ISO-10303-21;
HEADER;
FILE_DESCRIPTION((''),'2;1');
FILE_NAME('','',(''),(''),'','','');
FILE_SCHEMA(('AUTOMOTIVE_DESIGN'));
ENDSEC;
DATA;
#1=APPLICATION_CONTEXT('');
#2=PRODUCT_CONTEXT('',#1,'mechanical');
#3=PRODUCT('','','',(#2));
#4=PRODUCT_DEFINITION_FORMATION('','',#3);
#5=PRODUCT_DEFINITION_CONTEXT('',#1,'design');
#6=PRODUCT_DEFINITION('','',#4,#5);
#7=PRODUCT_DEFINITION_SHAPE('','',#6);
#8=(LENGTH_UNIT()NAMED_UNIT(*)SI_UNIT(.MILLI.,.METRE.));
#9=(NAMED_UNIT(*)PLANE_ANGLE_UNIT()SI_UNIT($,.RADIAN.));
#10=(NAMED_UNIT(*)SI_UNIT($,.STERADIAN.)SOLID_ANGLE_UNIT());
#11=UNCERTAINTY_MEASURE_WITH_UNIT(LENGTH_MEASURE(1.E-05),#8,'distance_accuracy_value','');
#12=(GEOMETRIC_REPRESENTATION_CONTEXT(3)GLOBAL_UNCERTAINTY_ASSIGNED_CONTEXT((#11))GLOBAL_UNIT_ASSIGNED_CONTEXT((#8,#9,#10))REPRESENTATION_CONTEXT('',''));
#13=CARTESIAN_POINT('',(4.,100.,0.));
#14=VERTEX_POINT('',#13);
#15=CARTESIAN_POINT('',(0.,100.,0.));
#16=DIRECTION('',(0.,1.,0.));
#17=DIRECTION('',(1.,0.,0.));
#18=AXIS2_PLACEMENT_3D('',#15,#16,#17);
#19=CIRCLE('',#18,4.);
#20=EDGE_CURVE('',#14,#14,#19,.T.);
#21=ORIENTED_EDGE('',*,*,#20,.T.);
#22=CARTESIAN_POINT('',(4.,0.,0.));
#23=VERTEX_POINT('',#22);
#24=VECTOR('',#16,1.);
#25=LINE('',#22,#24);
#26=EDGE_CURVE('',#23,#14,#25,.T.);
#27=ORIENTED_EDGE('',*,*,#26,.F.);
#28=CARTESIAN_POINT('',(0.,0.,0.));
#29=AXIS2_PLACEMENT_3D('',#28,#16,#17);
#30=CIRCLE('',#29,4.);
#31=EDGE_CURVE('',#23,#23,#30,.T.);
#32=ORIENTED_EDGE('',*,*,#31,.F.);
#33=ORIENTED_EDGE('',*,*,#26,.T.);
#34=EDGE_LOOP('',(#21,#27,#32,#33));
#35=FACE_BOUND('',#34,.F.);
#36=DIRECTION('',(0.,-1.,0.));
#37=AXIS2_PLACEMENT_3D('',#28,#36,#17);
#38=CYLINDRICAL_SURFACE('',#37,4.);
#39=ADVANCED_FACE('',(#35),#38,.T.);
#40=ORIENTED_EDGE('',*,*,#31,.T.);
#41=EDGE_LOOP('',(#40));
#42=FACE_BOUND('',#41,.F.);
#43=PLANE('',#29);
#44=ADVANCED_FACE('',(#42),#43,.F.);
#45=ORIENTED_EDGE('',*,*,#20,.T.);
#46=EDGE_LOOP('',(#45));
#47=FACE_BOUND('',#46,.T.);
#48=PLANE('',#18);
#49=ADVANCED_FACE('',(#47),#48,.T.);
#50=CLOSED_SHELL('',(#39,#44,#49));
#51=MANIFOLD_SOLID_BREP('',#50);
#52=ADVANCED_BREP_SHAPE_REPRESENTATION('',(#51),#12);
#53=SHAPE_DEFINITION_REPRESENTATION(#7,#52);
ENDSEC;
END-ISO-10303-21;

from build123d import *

# Parameters (mm, degrees)
SKETCH2_R           = 4
BOSS_EXTRUDE1_DEPTH = 100


with BuildPart() as part:
    # Sketch2 → Boss-Extrude1 (new body)
    with BuildSketch(Plane(origin=(0, 0, 0), x_dir=(1, 0, 0), z_dir=(0, 1, 0))):
        Circle(SKETCH2_R)
    extrude(amount=BOSS_EXTRUDE1_DEPTH)


solid = part.part
